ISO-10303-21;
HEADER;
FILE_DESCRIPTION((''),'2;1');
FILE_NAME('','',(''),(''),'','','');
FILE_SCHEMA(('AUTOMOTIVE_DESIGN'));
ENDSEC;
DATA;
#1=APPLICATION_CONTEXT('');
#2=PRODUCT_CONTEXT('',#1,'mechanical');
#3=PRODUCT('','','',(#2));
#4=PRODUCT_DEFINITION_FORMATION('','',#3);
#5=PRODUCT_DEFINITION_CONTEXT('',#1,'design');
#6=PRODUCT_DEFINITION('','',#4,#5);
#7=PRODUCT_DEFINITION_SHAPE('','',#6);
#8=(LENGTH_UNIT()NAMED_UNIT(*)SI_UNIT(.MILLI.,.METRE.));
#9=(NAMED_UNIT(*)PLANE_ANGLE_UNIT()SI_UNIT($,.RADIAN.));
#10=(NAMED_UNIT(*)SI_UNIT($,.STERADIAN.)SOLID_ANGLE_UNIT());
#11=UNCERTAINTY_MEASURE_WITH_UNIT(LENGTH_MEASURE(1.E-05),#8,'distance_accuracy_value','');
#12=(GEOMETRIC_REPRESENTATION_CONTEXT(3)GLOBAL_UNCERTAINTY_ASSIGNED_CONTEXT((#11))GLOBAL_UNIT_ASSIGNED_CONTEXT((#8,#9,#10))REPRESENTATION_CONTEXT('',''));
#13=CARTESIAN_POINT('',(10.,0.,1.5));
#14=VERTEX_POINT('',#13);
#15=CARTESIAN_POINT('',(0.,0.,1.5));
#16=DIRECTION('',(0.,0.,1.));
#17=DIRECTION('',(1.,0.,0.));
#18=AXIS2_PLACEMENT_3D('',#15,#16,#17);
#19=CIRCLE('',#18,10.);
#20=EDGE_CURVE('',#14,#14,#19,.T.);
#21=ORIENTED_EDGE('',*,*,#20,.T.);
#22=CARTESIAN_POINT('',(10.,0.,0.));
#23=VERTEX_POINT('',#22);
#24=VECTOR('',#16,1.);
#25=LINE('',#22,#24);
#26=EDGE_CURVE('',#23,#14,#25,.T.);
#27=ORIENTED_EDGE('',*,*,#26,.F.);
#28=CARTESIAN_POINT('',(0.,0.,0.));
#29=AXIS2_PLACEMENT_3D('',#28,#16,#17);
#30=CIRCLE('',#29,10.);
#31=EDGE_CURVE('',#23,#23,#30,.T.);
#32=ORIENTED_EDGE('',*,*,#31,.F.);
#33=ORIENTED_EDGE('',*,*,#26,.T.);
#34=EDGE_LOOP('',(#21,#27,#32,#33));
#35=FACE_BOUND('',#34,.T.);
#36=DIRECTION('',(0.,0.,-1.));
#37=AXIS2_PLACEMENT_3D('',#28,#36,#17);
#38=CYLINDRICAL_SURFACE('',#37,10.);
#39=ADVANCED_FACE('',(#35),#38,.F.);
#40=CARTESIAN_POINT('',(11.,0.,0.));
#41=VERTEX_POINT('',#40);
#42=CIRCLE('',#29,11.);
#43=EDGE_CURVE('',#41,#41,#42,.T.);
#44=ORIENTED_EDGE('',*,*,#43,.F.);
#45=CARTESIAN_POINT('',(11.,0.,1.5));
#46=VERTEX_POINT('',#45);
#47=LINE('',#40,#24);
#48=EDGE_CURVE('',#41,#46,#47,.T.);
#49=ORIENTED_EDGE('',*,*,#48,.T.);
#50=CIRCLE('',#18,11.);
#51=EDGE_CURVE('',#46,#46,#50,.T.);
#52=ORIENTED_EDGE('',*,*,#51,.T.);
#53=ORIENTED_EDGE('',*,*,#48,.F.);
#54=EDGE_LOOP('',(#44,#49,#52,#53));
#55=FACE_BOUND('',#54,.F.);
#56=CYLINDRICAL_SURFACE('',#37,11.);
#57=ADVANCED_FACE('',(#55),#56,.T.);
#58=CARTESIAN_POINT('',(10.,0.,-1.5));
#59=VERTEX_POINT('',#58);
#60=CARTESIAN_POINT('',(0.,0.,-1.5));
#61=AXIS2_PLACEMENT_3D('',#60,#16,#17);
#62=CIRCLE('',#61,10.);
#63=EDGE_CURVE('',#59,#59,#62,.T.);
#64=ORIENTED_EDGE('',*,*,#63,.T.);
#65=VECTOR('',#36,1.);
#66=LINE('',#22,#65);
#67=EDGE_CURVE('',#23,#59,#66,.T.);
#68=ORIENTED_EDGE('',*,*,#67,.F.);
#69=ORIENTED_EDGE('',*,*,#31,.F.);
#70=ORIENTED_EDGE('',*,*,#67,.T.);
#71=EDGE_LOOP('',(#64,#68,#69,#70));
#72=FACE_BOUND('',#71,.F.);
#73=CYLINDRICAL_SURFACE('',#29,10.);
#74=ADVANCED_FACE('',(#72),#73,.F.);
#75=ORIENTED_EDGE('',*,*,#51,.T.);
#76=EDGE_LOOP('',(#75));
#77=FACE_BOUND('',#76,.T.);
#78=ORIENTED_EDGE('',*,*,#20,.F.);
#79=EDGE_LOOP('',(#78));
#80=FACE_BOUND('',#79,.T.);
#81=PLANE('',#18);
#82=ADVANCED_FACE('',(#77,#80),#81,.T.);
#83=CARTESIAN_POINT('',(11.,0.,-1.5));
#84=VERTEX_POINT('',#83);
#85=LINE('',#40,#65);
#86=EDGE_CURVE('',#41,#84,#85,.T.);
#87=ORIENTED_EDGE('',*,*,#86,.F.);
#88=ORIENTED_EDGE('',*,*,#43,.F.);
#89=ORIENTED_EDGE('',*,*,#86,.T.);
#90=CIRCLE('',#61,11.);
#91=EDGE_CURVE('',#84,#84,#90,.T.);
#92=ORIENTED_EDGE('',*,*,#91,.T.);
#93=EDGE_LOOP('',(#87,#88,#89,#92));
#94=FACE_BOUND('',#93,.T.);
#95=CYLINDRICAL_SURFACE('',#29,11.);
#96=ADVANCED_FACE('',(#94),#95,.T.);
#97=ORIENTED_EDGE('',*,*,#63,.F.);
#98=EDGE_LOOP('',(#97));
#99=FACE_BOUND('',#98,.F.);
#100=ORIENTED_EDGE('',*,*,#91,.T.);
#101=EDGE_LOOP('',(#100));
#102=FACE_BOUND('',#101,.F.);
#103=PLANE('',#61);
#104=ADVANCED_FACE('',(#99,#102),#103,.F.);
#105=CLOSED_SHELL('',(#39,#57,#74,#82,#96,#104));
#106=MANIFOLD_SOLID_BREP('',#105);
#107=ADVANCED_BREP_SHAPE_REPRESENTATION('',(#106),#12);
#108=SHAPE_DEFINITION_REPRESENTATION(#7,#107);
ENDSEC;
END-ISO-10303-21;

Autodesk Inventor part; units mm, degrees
ref_plane "YZ Plane" through (0, 0, 0) normal (1, 0, 0) x (0, 1, 0)
ref_plane "XZ Plane" through (0, 0, 0) normal (0, 1, 0) x (-1, 0, 0)
ref_plane "XY Plane" through (0, 0, 0) normal (0, 0, 1) x (1, 0, 0)
sketch "Sketch1" plane through (0, 0, 0) normal (0, 0, 1) x (1, 0, 0)
  circle A0 centre (0, 0) radius 11
  circle A1 centre (0, 0) radius 10
  dimension "d0" = 22
  dimension "d1" = 20
extrude "Extrusion1" add sketch "Sketch1" along normal mid plane 3
properties part number "15A"
